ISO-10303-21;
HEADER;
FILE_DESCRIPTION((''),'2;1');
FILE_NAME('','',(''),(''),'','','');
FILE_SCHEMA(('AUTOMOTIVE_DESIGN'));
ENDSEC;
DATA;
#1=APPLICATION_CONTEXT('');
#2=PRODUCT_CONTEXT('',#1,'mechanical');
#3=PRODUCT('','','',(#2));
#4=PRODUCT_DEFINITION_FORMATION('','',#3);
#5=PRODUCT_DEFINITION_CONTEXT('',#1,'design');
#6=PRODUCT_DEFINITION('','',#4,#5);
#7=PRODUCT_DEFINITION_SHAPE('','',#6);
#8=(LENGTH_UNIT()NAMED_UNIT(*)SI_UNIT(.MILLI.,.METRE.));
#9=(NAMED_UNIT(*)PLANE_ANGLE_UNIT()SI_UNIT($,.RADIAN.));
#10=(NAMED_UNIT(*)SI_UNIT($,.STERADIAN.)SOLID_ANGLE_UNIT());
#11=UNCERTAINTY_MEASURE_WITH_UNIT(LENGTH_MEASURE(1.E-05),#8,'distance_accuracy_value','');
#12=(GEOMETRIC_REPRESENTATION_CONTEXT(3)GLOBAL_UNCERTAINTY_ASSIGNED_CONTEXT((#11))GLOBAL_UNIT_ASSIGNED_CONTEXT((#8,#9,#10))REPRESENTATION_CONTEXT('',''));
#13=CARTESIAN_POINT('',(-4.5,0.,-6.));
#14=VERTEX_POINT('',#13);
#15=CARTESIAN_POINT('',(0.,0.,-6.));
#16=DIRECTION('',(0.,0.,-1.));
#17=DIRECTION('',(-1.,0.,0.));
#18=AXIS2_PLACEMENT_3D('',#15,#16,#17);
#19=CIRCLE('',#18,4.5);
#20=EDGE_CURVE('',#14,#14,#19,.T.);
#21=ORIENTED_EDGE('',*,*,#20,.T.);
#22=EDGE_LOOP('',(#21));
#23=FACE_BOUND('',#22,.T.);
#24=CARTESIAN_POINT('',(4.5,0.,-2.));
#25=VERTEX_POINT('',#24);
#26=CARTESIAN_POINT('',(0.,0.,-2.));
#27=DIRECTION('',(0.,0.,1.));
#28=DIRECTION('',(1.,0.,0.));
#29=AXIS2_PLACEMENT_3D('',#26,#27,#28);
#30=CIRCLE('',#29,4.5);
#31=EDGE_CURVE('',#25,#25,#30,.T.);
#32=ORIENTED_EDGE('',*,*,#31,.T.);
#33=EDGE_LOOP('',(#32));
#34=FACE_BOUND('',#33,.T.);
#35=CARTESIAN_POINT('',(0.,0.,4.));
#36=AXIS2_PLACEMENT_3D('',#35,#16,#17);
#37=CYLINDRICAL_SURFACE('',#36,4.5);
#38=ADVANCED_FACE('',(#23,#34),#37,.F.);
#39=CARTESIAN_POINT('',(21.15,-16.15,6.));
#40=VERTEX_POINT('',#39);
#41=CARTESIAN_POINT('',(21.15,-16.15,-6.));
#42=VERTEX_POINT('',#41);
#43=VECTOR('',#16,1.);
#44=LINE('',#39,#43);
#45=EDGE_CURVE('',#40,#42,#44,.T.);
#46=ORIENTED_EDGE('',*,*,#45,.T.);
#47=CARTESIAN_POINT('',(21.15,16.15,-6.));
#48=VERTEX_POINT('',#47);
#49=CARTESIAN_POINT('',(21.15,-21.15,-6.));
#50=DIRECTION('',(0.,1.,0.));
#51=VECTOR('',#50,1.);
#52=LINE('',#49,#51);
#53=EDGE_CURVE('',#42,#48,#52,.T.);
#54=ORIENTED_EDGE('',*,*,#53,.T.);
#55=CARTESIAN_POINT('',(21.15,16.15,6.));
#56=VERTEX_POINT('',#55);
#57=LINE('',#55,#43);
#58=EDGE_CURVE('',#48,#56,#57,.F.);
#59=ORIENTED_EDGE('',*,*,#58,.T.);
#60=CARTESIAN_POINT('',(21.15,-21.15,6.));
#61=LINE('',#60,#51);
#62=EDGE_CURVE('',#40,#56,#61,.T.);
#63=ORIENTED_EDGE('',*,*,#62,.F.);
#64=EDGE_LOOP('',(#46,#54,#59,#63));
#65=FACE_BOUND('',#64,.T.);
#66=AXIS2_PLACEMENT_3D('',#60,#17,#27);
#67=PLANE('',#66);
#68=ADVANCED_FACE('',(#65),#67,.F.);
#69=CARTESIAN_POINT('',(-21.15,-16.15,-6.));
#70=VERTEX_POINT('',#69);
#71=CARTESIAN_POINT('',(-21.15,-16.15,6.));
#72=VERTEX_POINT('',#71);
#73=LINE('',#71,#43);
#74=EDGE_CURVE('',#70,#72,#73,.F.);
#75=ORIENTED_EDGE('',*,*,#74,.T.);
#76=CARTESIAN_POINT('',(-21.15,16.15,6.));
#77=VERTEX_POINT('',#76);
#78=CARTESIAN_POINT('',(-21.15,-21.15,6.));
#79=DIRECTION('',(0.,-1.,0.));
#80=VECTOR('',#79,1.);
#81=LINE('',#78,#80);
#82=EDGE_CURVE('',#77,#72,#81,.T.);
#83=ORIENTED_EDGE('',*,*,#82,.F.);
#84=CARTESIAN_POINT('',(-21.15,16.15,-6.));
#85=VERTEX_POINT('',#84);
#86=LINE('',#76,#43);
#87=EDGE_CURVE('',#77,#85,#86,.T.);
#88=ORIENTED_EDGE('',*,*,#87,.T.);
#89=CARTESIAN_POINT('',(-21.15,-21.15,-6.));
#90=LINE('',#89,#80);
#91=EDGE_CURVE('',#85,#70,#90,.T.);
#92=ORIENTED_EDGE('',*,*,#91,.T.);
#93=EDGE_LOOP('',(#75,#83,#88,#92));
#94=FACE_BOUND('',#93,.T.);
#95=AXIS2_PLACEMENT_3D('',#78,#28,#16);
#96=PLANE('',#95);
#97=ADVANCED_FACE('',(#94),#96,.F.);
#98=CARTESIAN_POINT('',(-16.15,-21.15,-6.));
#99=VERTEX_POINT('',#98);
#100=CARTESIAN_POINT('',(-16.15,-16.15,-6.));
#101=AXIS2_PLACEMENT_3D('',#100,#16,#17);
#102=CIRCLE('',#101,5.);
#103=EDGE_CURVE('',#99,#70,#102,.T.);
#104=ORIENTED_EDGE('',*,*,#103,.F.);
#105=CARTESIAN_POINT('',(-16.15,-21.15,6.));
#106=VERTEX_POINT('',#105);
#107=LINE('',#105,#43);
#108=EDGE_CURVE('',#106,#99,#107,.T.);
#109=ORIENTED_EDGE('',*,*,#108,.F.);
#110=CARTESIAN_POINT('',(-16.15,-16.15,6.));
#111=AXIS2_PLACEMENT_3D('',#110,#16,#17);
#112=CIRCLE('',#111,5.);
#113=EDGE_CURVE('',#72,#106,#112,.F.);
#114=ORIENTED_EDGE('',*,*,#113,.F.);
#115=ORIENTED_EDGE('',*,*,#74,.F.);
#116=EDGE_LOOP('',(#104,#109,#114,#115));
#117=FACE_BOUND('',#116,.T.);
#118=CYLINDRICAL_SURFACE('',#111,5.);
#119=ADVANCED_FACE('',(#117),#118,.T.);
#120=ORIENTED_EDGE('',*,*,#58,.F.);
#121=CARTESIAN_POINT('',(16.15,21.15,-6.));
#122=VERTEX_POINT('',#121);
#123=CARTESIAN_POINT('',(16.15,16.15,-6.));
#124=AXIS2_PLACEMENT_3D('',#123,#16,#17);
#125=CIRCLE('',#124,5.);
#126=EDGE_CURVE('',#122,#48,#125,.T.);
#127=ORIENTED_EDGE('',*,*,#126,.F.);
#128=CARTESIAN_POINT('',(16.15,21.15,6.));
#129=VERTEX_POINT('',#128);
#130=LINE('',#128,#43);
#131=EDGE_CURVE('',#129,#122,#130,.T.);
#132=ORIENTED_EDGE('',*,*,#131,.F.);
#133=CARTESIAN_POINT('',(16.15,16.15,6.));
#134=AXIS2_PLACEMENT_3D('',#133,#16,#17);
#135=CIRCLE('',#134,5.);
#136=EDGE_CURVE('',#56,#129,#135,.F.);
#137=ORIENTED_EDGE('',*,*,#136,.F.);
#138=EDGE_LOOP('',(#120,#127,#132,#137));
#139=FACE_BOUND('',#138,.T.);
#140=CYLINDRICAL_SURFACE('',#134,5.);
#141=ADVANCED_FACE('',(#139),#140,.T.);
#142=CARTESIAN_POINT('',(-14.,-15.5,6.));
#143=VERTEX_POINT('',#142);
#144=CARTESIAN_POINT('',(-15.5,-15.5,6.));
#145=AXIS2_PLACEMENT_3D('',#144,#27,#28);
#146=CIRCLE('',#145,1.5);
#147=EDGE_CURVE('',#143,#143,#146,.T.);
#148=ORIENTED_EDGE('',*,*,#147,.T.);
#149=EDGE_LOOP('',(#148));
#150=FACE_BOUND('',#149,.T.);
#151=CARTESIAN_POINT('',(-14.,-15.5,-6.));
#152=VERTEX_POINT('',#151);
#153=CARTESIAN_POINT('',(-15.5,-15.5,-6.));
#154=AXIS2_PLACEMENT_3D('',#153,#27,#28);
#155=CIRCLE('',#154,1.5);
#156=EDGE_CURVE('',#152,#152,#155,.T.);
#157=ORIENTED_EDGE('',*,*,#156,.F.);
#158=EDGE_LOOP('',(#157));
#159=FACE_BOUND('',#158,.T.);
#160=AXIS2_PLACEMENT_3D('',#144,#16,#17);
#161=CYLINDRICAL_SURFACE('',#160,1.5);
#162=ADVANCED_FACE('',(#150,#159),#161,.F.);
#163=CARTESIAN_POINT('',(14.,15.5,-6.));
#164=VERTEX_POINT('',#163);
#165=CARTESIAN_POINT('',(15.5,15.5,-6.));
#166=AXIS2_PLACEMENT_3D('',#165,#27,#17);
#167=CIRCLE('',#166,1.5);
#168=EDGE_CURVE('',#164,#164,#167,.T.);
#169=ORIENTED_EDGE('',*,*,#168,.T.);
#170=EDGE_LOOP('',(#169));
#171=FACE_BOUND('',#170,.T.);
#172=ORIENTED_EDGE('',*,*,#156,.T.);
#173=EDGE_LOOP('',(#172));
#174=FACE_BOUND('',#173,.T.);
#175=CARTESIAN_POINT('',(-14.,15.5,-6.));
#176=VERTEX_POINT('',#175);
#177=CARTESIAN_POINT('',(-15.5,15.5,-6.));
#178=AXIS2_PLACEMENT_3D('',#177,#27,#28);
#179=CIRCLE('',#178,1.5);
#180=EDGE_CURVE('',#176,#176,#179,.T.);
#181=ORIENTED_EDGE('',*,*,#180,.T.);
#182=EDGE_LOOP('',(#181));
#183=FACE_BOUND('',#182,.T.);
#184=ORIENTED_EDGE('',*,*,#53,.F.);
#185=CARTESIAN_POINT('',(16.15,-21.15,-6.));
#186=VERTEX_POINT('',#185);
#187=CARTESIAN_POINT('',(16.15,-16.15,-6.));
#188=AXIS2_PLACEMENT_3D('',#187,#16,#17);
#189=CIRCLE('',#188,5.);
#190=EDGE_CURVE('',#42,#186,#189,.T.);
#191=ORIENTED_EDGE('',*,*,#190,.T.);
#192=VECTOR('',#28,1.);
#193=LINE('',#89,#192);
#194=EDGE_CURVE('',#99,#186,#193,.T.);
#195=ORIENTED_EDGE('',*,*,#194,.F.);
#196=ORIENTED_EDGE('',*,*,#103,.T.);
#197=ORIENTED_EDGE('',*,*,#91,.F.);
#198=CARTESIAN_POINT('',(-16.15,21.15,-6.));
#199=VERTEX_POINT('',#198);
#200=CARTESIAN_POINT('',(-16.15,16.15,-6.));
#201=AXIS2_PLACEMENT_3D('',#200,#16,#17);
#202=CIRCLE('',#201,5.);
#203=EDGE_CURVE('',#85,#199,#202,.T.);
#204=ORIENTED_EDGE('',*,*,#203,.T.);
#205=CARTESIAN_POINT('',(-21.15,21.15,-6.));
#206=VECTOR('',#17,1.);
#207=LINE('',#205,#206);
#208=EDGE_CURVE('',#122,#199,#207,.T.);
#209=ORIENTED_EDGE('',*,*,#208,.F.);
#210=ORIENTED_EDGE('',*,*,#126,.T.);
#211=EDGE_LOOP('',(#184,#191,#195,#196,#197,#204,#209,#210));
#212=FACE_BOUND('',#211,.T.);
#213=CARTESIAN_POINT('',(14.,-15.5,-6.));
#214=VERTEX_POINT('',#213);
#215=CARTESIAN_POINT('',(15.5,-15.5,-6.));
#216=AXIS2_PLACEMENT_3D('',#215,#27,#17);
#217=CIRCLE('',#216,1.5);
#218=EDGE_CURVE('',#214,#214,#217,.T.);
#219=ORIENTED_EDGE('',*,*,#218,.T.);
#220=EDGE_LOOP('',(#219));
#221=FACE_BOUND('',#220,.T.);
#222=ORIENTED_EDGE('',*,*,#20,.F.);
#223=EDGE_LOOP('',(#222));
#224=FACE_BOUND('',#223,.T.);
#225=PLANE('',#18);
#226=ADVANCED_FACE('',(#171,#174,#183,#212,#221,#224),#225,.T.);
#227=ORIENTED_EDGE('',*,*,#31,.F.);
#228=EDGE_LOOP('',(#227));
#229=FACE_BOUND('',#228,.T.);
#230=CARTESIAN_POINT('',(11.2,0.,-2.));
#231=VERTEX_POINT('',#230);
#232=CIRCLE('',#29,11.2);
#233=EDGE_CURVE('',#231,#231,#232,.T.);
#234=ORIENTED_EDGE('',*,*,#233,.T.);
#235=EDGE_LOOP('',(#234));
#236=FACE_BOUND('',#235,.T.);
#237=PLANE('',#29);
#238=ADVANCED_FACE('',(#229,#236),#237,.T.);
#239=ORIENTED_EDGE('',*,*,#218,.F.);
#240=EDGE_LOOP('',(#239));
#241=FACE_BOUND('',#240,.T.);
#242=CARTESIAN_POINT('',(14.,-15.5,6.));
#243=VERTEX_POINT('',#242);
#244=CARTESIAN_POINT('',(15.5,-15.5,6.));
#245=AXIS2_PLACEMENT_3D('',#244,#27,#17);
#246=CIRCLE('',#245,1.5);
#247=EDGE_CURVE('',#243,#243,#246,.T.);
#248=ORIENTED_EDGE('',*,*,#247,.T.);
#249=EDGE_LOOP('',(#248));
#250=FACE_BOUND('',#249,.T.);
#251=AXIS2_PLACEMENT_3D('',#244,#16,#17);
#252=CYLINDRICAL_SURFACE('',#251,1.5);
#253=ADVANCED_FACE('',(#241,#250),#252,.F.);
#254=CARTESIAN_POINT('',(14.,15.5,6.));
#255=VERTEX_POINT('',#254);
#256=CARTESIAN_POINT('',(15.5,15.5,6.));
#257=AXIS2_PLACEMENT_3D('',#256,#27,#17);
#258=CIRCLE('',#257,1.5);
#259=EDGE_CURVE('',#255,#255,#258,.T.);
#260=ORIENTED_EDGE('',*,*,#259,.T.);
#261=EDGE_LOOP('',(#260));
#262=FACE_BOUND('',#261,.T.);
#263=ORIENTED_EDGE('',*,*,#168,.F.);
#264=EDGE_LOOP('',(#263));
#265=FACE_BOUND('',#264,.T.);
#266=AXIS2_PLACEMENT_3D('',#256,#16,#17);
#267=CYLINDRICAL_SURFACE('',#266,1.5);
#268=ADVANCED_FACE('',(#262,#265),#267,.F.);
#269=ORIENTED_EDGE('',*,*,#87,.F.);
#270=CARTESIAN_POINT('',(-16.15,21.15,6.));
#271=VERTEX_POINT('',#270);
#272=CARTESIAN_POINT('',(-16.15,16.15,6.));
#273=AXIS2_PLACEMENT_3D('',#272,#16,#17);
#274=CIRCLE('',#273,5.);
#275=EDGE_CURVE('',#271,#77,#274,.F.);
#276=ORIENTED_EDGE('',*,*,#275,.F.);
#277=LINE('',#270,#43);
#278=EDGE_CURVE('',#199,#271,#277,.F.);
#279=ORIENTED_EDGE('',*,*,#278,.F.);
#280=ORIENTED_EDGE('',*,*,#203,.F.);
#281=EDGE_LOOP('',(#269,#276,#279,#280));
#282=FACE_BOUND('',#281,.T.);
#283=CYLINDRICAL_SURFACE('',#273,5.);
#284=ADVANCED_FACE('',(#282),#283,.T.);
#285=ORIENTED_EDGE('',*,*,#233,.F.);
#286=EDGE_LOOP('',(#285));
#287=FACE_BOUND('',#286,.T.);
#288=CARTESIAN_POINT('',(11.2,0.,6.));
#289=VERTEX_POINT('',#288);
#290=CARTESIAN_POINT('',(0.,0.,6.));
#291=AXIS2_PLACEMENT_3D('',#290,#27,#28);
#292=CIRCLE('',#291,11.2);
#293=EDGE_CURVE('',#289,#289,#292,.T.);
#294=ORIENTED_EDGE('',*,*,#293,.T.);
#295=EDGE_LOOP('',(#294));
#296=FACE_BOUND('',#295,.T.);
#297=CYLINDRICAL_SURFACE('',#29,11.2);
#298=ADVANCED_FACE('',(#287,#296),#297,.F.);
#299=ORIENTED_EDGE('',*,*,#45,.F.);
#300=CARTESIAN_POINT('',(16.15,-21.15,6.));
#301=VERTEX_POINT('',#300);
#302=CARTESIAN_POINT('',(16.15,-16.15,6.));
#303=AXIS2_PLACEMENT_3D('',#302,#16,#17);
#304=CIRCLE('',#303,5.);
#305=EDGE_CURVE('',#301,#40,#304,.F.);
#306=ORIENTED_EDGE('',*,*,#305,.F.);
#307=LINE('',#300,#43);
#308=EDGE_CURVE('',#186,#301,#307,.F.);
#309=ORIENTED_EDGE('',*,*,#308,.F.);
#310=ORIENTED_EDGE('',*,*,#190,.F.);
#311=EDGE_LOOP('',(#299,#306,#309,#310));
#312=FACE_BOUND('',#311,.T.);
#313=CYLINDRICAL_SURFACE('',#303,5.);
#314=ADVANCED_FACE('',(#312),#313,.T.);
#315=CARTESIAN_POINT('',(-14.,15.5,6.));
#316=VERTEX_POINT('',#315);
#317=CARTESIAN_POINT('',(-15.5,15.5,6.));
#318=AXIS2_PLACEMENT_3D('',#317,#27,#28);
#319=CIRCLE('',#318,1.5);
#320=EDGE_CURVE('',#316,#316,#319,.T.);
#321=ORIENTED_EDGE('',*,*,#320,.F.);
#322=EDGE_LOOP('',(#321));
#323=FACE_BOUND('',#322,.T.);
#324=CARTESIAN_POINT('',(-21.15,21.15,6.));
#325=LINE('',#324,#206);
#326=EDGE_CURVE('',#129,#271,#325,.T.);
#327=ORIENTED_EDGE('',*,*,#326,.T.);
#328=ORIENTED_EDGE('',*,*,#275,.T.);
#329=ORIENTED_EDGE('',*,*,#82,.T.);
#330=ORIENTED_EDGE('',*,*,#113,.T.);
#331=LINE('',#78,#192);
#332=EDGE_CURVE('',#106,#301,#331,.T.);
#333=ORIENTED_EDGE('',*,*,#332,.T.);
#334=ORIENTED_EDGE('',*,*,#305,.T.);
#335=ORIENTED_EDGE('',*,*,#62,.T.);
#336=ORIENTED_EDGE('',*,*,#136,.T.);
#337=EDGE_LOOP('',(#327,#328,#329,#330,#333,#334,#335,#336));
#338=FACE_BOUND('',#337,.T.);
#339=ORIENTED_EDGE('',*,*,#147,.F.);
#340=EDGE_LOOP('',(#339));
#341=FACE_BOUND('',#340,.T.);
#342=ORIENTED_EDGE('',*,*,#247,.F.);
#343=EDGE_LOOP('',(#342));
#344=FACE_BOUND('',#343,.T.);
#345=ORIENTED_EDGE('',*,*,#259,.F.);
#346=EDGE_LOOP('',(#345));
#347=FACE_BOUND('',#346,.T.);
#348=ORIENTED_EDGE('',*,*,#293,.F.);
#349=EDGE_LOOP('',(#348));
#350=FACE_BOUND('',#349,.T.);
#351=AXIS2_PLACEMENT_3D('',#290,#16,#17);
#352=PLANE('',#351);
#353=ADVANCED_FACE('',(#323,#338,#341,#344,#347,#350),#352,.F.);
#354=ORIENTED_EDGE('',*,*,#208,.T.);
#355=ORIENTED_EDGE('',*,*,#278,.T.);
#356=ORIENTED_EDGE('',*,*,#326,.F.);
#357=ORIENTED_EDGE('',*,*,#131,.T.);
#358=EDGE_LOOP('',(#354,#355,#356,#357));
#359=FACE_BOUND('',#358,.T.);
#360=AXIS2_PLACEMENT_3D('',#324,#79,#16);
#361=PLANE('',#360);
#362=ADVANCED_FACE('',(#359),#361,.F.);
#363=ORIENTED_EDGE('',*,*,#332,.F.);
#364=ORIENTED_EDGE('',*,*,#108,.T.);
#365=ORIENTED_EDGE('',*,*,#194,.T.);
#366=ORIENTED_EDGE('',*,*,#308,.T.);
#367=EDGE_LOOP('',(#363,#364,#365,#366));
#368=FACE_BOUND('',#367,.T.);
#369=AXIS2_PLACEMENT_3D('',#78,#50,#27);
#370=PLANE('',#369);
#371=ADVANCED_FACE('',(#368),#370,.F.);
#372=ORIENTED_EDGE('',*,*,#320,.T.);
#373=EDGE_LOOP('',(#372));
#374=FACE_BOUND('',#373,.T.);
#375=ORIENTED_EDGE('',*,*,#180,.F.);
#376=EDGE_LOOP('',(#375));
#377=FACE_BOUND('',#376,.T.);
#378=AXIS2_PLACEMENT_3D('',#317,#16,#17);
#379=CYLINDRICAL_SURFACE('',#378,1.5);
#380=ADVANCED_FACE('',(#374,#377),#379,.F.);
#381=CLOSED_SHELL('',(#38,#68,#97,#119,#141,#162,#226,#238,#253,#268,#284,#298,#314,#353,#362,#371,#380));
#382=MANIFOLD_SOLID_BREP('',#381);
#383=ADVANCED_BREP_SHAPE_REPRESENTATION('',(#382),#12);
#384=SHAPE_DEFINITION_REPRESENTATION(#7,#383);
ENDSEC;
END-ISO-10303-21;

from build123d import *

# Parameters (mm, degrees)
CROQUIS1_W              = 42.3
CROQUIS1_H              = 42.3
CROQUIS1_R              = 1.5
SALIENTE_EXTRUIR1_DEPTH = 6
REDONDEO1_R             = 5
CROQUIS2_R              = 11.2
CORTAR_EXTRUIR1_DEPTH   = 8
CROQUIS3_R              = 4.5
CORTAR_EXTRUIR2_DEPTH   = 10


with BuildPart() as part:
    # Croquis1 → Saliente-Extruir1 (new, symmetric)
    with BuildSketch(Plane.XY):
        Rectangle(CROQUIS1_W, CROQUIS1_H)
        with Locations((-15.5, 15.5)):
            Circle(CROQUIS1_R, mode=Mode.SUBTRACT)
        with Locations((-15.5, -15.5)):
            Circle(CROQUIS1_R, mode=Mode.SUBTRACT)
        with Locations(Location((15.5, -15.5, 0), (0, 0, 180))):
            Circle(CROQUIS1_R, mode=Mode.SUBTRACT)
        with Locations(Location((15.5, 15.5, 0), (0, 0, 180))):
            Circle(CROQUIS1_R, mode=Mode.SUBTRACT)
    extrude(amount=SALIENTE_EXTRUIR1_DEPTH, both=True)

    # Redondeo1
    redondeo1_edges = [part.edges().sort_by_distance(p)[0] for p in [
        (21.15, -21.15, 0),
        (-21.15, -21.15, 0),
        (-21.15, 21.15, 0),
        (21.15, 21.15, 0),
    ]]
    fillet(redondeo1_edges, radius=REDONDEO1_R)

    # Croquis2 → Cortar-Extruir1 (cut)
    with BuildSketch(Plane.XY.offset(6)):
        Circle(CROQUIS2_R)
    extrude(amount=-CORTAR_EXTRUIR1_DEPTH, mode=Mode.SUBTRACT)

    # Croquis3 → Cortar-Extruir2 (cut)
    with BuildSketch(Plane(origin=(0, 0, -6), x_dir=(-1, 0, 0), z_dir=(0, 0, -1))):
        Circle(CROQUIS3_R)
    extrude(amount=-CORTAR_EXTRUIR2_DEPTH, mode=Mode.SUBTRACT)


solid = part.part
